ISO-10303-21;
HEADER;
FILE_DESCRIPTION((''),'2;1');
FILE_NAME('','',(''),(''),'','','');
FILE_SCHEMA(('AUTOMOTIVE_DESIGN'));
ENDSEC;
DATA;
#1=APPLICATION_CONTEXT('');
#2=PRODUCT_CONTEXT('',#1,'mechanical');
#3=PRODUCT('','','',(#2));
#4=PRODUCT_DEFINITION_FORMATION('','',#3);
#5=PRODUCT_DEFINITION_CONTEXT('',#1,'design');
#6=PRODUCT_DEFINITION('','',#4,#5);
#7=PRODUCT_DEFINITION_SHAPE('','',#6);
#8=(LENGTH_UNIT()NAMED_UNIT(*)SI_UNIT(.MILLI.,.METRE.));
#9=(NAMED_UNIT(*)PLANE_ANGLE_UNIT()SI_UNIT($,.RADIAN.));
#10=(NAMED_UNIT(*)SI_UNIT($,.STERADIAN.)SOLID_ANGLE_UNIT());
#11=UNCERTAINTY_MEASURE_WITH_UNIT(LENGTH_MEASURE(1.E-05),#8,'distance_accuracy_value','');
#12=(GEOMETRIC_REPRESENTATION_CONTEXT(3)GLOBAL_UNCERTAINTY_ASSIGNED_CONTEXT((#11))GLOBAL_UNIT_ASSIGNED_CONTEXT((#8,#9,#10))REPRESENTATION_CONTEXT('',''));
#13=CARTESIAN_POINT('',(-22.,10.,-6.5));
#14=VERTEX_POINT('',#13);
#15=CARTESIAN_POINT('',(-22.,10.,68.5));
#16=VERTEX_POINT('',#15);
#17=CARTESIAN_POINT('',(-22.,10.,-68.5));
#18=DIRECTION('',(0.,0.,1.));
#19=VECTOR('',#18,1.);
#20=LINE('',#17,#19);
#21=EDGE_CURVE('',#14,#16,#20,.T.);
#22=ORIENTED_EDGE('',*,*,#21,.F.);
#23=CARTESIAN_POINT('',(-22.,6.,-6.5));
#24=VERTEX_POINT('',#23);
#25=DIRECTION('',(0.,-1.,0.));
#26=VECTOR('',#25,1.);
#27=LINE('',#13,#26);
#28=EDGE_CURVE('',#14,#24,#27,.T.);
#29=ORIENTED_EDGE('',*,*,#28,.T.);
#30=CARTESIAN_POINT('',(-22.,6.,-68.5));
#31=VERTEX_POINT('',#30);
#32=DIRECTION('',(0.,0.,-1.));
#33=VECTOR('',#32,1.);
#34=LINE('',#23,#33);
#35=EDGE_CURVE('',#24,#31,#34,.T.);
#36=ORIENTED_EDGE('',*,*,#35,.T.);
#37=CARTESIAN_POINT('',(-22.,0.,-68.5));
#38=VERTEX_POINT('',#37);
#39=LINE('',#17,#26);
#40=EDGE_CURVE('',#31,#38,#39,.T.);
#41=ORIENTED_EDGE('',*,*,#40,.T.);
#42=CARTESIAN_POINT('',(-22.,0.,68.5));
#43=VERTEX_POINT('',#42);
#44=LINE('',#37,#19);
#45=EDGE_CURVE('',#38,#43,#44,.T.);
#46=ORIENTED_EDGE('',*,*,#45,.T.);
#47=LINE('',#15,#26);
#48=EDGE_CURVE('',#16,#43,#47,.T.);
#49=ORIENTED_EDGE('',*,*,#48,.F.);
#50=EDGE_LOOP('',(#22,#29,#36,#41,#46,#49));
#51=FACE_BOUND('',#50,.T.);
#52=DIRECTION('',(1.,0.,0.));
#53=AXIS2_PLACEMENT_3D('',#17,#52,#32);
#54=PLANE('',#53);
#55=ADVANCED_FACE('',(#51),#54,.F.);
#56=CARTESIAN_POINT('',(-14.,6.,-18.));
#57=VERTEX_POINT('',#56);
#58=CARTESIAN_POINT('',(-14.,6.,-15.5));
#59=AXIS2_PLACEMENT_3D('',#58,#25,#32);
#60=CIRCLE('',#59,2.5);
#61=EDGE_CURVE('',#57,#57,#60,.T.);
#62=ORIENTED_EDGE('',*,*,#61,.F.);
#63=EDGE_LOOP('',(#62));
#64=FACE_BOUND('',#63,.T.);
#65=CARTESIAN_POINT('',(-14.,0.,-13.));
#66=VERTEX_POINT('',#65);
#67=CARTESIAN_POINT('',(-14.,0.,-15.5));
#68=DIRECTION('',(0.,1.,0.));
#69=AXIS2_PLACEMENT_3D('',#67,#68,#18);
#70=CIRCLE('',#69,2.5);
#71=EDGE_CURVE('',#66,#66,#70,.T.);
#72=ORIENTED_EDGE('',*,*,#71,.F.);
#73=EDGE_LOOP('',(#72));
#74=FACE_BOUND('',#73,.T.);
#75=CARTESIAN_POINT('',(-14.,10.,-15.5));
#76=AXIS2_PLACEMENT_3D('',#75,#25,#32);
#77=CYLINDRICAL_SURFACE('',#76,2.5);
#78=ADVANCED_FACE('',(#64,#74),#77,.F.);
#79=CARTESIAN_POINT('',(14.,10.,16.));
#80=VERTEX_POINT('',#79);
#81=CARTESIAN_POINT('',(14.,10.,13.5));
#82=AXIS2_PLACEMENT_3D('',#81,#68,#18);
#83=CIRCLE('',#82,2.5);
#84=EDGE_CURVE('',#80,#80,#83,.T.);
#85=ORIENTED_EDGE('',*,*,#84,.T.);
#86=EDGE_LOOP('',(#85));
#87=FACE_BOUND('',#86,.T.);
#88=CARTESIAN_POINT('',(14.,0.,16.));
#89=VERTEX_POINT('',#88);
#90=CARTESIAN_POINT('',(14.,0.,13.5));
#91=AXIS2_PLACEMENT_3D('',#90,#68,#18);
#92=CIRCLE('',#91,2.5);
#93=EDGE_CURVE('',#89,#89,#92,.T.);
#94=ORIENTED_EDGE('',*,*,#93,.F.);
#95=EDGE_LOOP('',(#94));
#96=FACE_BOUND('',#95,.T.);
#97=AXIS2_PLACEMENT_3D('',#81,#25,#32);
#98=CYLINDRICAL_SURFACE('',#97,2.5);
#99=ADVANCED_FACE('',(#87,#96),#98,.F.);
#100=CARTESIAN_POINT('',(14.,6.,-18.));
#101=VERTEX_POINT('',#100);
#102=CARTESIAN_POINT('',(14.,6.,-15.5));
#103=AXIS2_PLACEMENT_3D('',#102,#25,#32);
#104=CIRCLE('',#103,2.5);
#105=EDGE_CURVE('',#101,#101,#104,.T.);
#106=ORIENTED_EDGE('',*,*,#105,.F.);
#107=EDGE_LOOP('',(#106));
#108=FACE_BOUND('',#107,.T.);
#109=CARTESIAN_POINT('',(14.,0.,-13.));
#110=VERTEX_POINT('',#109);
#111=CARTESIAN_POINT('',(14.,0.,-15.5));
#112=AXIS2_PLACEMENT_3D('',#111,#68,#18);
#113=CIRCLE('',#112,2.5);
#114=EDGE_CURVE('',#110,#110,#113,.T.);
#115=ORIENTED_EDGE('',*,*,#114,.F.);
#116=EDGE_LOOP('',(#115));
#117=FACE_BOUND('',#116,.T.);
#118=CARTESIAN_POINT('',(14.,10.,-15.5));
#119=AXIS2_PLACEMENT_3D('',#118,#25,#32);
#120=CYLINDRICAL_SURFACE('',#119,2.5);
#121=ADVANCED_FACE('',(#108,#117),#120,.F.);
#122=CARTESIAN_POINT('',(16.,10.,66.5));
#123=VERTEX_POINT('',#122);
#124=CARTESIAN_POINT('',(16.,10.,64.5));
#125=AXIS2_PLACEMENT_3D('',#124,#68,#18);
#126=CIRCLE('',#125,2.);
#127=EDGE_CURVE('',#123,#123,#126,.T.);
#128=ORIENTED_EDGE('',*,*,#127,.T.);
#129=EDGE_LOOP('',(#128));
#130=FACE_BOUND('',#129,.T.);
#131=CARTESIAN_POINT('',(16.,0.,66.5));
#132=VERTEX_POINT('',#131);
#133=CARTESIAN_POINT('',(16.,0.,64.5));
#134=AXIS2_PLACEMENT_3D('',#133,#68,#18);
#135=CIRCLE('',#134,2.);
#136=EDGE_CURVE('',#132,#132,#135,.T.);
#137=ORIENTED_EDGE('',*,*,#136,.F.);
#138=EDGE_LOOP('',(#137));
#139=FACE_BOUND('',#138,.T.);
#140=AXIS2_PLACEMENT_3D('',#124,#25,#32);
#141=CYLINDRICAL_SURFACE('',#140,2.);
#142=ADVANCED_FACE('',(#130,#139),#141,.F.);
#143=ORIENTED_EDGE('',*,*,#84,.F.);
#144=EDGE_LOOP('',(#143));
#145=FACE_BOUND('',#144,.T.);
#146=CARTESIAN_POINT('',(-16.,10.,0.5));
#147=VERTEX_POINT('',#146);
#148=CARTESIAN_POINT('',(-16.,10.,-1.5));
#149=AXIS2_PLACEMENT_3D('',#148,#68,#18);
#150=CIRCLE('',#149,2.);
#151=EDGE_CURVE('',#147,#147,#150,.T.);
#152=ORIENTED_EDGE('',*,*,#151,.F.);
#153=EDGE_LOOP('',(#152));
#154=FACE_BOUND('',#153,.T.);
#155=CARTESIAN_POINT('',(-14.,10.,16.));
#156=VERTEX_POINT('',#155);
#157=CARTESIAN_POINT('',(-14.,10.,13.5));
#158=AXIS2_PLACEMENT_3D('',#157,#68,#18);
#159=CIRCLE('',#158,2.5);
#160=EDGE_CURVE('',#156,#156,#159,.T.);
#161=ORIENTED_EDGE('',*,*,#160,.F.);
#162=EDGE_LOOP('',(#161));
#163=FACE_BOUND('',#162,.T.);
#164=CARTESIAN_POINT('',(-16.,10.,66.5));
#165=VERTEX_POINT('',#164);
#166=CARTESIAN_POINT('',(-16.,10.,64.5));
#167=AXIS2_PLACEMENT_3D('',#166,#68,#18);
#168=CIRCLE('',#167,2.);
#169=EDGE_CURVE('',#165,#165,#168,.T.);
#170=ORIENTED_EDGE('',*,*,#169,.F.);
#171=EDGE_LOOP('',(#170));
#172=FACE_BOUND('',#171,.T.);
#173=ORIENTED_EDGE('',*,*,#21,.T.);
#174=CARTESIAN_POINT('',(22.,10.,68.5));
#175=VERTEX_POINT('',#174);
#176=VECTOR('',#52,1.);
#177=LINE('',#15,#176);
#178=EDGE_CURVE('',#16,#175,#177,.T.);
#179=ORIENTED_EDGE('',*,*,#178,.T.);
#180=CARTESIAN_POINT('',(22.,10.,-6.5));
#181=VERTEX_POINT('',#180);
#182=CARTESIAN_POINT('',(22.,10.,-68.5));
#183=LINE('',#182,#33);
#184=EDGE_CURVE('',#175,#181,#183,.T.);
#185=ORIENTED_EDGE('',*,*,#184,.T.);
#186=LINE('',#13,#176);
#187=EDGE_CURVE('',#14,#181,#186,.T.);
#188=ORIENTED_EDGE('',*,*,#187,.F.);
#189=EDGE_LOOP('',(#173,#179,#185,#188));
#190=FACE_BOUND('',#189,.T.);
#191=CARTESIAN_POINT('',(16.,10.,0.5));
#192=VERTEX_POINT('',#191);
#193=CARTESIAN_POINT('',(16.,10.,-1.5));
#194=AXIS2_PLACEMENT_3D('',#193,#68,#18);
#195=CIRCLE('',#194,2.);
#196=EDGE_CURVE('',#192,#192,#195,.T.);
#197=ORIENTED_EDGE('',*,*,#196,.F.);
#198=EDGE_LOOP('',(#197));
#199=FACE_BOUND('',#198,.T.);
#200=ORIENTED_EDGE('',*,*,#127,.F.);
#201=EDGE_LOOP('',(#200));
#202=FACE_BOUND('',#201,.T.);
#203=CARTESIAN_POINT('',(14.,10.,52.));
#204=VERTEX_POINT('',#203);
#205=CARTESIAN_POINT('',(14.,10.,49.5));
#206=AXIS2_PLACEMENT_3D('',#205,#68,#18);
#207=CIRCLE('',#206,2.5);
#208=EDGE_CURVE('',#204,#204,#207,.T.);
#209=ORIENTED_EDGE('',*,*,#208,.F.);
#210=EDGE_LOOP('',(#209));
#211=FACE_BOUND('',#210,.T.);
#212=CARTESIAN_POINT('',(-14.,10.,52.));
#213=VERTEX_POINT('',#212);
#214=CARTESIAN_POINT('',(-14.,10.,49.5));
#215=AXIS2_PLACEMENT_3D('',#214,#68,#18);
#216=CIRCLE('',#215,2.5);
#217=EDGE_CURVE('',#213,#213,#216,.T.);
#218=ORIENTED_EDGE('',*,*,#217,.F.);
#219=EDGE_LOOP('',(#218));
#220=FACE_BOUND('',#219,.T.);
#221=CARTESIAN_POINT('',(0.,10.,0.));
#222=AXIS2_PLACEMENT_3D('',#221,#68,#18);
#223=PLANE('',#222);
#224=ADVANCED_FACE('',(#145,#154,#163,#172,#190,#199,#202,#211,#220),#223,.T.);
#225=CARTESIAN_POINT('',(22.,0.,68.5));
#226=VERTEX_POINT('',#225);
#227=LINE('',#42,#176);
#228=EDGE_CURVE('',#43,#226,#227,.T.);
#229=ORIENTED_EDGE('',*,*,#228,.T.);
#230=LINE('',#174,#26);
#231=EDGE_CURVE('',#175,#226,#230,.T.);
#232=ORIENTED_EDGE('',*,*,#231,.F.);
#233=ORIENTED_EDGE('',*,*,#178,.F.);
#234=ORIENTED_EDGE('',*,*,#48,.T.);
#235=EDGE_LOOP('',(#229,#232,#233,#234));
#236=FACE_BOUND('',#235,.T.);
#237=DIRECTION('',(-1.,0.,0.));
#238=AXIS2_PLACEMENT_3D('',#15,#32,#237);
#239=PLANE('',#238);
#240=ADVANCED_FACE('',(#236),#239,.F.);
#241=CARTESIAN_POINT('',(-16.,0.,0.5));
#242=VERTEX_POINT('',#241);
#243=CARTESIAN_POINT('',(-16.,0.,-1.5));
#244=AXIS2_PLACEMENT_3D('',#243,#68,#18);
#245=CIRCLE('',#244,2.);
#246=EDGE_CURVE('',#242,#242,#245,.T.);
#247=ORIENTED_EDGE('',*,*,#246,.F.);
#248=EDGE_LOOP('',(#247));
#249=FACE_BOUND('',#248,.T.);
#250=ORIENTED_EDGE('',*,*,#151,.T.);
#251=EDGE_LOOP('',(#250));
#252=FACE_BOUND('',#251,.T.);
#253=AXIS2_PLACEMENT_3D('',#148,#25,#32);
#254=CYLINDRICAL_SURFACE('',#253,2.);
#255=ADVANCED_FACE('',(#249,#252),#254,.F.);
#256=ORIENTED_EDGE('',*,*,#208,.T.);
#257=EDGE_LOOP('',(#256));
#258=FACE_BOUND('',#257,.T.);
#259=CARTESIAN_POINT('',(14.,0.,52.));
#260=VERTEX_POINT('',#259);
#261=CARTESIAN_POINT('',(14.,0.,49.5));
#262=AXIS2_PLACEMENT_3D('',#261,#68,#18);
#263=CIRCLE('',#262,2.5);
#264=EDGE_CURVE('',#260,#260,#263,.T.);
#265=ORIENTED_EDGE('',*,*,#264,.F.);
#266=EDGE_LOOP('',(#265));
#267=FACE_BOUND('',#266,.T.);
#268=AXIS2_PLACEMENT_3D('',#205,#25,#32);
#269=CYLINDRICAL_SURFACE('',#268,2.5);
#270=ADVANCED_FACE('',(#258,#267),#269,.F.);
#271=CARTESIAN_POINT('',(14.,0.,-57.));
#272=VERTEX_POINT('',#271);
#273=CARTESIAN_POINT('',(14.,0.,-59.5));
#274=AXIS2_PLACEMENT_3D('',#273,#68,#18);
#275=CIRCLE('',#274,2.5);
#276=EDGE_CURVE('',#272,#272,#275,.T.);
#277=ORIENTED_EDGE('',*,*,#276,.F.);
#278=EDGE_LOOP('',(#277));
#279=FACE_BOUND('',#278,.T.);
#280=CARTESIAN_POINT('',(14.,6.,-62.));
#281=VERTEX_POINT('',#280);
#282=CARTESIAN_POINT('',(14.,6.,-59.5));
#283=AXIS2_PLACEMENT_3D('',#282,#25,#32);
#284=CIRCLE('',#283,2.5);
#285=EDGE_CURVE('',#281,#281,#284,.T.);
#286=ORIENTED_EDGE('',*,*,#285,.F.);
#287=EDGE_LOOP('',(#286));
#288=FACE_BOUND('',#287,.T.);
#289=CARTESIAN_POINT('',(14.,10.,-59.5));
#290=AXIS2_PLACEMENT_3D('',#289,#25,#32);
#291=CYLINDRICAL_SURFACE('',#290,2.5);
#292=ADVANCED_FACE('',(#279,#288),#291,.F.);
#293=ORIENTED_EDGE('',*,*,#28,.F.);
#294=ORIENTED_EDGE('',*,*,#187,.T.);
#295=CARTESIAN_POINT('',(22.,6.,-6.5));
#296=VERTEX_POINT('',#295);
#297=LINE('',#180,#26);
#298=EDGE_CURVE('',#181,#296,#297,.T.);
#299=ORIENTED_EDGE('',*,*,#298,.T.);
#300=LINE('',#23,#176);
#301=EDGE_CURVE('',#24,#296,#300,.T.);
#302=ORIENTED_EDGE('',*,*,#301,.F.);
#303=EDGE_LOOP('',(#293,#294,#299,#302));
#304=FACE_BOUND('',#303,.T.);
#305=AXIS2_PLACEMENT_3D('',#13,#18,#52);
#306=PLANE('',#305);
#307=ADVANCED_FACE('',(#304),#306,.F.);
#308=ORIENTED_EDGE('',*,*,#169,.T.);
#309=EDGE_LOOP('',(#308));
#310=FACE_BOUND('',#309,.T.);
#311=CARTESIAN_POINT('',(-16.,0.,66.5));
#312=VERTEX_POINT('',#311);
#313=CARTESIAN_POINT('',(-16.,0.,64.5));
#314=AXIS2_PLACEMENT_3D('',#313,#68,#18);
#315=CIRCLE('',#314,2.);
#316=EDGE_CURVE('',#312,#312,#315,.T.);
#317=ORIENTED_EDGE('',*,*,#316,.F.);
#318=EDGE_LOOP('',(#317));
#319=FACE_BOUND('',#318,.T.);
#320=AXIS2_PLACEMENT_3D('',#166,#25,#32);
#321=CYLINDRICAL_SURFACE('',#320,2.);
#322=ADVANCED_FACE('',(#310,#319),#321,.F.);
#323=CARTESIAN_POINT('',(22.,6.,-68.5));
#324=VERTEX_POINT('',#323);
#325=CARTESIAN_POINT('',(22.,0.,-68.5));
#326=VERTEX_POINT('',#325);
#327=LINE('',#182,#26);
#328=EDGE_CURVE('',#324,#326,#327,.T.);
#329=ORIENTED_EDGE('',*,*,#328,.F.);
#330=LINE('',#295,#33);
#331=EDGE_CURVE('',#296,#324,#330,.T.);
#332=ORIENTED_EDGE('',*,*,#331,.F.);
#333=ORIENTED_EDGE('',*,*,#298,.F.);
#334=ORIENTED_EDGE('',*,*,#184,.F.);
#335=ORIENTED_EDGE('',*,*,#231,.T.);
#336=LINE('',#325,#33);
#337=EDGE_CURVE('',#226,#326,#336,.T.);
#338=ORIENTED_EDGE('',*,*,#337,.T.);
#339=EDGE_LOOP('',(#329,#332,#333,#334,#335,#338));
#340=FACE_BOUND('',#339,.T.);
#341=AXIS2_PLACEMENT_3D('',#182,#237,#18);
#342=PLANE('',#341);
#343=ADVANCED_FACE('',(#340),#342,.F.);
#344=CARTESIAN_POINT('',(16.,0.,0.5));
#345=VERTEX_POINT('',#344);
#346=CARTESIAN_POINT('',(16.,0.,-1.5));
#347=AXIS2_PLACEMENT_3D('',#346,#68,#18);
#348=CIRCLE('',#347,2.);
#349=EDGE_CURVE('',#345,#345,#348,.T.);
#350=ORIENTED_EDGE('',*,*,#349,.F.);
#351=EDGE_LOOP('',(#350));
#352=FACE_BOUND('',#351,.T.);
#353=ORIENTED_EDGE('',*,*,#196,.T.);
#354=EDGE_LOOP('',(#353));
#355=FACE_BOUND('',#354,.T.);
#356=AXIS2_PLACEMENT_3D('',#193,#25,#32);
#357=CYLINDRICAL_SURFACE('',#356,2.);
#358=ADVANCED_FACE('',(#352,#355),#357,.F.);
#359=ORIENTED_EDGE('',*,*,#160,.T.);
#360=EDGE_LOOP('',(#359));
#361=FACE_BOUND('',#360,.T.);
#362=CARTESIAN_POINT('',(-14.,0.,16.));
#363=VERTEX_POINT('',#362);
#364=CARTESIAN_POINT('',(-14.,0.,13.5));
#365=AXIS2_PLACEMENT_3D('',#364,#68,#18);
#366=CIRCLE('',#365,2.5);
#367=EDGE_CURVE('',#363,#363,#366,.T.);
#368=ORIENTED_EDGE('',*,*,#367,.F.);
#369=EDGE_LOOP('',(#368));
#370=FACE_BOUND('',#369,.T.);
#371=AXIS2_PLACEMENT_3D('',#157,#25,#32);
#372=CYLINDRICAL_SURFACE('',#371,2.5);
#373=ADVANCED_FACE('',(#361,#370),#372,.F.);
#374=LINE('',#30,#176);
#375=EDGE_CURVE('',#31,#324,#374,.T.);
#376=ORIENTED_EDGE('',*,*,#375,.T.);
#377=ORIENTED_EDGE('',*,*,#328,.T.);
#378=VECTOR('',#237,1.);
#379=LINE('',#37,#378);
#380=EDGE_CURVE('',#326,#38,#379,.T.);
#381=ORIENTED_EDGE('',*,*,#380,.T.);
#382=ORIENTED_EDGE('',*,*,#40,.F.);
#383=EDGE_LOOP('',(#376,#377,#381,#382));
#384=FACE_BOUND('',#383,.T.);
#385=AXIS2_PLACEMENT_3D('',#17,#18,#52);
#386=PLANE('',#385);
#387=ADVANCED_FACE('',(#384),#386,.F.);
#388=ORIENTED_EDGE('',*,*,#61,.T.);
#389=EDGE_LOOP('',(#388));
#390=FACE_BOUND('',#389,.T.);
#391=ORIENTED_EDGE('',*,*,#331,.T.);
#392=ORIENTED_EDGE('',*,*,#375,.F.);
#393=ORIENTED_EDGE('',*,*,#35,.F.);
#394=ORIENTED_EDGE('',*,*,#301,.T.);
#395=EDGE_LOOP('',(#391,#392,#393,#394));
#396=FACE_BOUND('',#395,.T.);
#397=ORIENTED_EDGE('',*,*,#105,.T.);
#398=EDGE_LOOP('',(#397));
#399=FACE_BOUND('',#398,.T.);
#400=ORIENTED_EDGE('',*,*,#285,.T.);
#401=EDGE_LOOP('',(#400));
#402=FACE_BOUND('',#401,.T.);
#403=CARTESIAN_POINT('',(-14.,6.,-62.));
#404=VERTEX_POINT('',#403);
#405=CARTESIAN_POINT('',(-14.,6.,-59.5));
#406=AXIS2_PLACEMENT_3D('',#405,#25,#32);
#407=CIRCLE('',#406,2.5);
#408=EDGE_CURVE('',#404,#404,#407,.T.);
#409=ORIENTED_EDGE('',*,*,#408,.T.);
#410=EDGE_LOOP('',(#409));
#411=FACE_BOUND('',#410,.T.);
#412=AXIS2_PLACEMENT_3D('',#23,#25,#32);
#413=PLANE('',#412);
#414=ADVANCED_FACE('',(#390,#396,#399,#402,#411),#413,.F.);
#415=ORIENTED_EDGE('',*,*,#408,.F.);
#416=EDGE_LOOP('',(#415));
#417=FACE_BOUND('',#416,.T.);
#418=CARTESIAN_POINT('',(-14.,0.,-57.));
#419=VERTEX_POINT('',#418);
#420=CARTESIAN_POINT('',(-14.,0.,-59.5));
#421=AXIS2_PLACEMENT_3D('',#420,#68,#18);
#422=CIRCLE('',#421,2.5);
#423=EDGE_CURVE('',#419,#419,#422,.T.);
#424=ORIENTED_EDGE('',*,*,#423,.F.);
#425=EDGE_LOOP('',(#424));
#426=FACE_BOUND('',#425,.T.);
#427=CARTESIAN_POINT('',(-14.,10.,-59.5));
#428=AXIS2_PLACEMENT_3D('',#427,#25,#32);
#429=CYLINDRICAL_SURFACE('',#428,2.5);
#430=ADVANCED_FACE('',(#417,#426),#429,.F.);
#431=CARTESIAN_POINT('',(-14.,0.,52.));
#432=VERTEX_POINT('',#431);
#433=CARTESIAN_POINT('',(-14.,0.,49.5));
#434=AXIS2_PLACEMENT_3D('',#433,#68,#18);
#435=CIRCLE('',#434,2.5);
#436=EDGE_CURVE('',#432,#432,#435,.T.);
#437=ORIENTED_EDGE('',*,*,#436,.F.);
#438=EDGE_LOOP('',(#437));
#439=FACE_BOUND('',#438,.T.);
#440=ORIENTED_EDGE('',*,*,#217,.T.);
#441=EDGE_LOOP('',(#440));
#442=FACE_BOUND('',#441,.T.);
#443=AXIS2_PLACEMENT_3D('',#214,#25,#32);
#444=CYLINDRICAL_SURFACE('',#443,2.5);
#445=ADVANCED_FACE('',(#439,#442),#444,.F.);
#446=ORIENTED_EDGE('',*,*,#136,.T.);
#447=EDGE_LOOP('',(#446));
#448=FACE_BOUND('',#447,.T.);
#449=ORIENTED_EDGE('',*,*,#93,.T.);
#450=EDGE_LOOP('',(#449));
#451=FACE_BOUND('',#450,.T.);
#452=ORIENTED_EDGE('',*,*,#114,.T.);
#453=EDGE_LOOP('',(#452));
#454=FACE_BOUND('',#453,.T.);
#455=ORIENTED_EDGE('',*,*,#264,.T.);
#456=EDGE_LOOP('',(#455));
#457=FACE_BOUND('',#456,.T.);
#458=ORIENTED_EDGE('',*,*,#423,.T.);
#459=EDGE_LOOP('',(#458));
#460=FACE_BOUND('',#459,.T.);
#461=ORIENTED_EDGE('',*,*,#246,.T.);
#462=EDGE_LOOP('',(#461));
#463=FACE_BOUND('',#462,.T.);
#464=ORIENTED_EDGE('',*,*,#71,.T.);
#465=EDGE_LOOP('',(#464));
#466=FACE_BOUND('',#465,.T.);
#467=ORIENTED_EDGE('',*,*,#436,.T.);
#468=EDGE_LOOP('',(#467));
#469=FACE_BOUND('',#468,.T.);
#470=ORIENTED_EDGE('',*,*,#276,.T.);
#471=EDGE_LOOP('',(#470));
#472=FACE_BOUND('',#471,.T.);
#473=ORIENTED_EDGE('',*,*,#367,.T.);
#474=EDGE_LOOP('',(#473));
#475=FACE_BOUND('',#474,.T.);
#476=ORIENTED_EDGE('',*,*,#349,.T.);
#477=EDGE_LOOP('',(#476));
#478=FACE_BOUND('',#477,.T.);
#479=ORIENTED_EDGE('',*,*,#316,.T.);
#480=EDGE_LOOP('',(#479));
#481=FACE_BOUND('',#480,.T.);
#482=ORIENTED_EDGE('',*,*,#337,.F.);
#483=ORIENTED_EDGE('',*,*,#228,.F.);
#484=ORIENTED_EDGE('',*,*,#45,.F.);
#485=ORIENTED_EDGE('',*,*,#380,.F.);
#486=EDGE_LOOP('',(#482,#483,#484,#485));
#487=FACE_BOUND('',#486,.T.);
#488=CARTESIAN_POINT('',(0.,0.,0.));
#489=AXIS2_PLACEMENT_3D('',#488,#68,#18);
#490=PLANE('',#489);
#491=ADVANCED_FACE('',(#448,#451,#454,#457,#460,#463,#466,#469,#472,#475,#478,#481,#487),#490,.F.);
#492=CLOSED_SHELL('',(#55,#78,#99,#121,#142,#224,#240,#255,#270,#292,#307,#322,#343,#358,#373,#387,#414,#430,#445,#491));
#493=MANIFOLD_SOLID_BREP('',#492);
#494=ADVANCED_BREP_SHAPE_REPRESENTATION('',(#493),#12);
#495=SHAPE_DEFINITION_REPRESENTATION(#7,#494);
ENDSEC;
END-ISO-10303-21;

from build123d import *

# Parameters (mm, degrees)
SKETCH1_W           = 44
SKETCH1_H           = 137
SKETCH1_R           = 2.5
SKETCH1_R_2         = 2
BOSS_EXTRUDE1_DEPTH = 10
SKETCH2_W           = 62
SKETCH2_H           = 4
CUT_EXTRUDE1_DEPTH  = 83.025910541


with BuildPart() as part:
    # Sketch1 → Boss-Extrude1 (new body)
    with BuildSketch(Plane(origin=(0, 0, 0), x_dir=(1, 0, 0), z_dir=(0, 1, 0))):
        Rectangle(SKETCH1_W, SKETCH1_H)
        with Locations(Location((-14, 59.5, 0), (0, 0, 270))):
            Circle(SKETCH1_R, mode=Mode.SUBTRACT)
        with Locations(Location((14, 59.5, 0), (0, 0, 270))):
            Circle(SKETCH1_R, mode=Mode.SUBTRACT)
        with Locations(Location((14, 15.5, 0), (0, 0, 270))):
            Circle(SKETCH1_R, mode=Mode.SUBTRACT)
        with Locations(Location((-14, 15.5, 0), (0, 0, 270))):
            Circle(SKETCH1_R, mode=Mode.SUBTRACT)
        with Locations(Location((14, -13.5, 0), (0, 0, 270))):
            Circle(SKETCH1_R, mode=Mode.SUBTRACT)
        with Locations(Location((-14, -13.5, 0), (0, 0, 270))):
            Circle(SKETCH1_R, mode=Mode.SUBTRACT)
        with Locations(Location((-14, -49.5, 0), (0, 0, 270))):
            Circle(SKETCH1_R, mode=Mode.SUBTRACT)
        with Locations(Location((14, -49.5, 0), (0, 0, 270))):
            Circle(SKETCH1_R, mode=Mode.SUBTRACT)
        with Locations(Location((-16, 1.5, 0), (0, 0, 270))):
            Circle(SKETCH1_R_2, mode=Mode.SUBTRACT)
        with Locations(Location((16, 1.5, 0), (0, 0, 270))):
            Circle(SKETCH1_R_2, mode=Mode.SUBTRACT)
        with Locations(Location((-16, -64.5, 0), (0, 0, 270))):
            Circle(SKETCH1_R_2, mode=Mode.SUBTRACT)
        with Locations(Location((16, -64.5, 0), (0, 0, 270))):
            Circle(SKETCH1_R_2, mode=Mode.SUBTRACT)
    extrude(amount=BOSS_EXTRUDE1_DEPTH)

    # Sketch2 → Cut-Extrude1 (cut, through all)
    with BuildSketch(Plane(origin=(22, 0, 0), x_dir=(0, 0, -1), z_dir=(1, 0, 0))):
        with Locations((37.5, 8)):
            Rectangle(SKETCH2_W, SKETCH2_H)
    extrude(amount=-CUT_EXTRUDE1_DEPTH, mode=Mode.SUBTRACT)


solid = part.part
